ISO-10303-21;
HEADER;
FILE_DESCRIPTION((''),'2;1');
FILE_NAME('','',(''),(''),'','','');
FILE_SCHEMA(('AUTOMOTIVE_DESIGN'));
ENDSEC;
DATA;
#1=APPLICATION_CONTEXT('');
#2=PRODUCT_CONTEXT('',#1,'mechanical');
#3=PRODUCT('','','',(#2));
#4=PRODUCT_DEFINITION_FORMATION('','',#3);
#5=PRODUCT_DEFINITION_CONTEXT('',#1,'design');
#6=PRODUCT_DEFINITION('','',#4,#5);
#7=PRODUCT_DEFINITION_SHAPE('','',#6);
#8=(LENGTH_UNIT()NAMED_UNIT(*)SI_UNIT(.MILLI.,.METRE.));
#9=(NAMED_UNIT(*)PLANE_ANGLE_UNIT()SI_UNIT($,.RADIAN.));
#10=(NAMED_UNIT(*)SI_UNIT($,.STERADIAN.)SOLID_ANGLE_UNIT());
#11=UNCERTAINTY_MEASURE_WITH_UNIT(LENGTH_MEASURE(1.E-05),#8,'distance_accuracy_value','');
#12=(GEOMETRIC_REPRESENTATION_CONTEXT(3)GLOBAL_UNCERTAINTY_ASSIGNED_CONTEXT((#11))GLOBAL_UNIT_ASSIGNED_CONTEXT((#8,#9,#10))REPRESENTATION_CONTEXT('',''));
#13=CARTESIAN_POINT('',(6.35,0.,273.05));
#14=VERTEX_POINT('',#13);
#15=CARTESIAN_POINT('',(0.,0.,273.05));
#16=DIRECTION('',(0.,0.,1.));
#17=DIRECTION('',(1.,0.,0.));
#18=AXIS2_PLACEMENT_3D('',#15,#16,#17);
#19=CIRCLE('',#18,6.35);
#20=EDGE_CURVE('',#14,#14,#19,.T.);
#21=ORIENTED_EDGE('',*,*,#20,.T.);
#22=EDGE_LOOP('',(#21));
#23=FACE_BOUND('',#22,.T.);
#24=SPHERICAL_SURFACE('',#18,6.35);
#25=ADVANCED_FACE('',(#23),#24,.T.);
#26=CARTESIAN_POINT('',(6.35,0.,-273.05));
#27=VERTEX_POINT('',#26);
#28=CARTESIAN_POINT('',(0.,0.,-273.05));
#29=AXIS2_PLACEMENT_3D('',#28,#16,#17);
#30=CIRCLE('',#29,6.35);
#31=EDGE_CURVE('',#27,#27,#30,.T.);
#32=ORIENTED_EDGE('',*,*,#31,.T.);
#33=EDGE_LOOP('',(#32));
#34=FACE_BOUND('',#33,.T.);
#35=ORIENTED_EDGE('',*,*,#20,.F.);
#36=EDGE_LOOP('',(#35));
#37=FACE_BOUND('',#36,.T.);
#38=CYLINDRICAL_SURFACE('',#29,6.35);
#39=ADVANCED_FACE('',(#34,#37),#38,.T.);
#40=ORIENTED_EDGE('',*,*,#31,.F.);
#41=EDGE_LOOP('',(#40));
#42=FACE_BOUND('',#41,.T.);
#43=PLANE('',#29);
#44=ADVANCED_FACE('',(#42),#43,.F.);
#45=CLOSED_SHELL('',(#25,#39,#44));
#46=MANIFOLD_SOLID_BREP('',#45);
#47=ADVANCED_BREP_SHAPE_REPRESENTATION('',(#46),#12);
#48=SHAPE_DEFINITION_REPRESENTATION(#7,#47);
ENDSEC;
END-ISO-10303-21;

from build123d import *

# Parameters (mm, degrees)
SKETCH1_R           = 6.35
BOSS_EXTRUDE1_DEPTH = 273.05
DOME2_FACE_RADIUS   = 6.35
DOME2_HEIGHT        = 6.35


with BuildPart() as part:
    # Sketch1 → Boss-Extrude1 (new, symmetric)
    with BuildSketch(Plane.XY):
        Circle(SKETCH1_R)
    extrude(amount=BOSS_EXTRUDE1_DEPTH, both=True)

    # Dome2: a dome of height H over a round flat face of radius A is a cap of a sphere of radius (A * A + H * H) / (2 * H)
    dome2_r = (DOME2_FACE_RADIUS * DOME2_FACE_RADIUS + DOME2_HEIGHT * DOME2_HEIGHT) / (2 * DOME2_HEIGHT)
    dome2_base = Plane((0, 0, 273.05), z_dir=(0, 0, 1))
    with Locations(dome2_base.offset(DOME2_HEIGHT - dome2_r)):
        dome2_ball = Sphere(dome2_r, mode=Mode.PRIVATE)
    add(split(dome2_ball, bisect_by=dome2_base, keep=Keep.TOP, mode=Mode.PRIVATE))


solid = part.part
